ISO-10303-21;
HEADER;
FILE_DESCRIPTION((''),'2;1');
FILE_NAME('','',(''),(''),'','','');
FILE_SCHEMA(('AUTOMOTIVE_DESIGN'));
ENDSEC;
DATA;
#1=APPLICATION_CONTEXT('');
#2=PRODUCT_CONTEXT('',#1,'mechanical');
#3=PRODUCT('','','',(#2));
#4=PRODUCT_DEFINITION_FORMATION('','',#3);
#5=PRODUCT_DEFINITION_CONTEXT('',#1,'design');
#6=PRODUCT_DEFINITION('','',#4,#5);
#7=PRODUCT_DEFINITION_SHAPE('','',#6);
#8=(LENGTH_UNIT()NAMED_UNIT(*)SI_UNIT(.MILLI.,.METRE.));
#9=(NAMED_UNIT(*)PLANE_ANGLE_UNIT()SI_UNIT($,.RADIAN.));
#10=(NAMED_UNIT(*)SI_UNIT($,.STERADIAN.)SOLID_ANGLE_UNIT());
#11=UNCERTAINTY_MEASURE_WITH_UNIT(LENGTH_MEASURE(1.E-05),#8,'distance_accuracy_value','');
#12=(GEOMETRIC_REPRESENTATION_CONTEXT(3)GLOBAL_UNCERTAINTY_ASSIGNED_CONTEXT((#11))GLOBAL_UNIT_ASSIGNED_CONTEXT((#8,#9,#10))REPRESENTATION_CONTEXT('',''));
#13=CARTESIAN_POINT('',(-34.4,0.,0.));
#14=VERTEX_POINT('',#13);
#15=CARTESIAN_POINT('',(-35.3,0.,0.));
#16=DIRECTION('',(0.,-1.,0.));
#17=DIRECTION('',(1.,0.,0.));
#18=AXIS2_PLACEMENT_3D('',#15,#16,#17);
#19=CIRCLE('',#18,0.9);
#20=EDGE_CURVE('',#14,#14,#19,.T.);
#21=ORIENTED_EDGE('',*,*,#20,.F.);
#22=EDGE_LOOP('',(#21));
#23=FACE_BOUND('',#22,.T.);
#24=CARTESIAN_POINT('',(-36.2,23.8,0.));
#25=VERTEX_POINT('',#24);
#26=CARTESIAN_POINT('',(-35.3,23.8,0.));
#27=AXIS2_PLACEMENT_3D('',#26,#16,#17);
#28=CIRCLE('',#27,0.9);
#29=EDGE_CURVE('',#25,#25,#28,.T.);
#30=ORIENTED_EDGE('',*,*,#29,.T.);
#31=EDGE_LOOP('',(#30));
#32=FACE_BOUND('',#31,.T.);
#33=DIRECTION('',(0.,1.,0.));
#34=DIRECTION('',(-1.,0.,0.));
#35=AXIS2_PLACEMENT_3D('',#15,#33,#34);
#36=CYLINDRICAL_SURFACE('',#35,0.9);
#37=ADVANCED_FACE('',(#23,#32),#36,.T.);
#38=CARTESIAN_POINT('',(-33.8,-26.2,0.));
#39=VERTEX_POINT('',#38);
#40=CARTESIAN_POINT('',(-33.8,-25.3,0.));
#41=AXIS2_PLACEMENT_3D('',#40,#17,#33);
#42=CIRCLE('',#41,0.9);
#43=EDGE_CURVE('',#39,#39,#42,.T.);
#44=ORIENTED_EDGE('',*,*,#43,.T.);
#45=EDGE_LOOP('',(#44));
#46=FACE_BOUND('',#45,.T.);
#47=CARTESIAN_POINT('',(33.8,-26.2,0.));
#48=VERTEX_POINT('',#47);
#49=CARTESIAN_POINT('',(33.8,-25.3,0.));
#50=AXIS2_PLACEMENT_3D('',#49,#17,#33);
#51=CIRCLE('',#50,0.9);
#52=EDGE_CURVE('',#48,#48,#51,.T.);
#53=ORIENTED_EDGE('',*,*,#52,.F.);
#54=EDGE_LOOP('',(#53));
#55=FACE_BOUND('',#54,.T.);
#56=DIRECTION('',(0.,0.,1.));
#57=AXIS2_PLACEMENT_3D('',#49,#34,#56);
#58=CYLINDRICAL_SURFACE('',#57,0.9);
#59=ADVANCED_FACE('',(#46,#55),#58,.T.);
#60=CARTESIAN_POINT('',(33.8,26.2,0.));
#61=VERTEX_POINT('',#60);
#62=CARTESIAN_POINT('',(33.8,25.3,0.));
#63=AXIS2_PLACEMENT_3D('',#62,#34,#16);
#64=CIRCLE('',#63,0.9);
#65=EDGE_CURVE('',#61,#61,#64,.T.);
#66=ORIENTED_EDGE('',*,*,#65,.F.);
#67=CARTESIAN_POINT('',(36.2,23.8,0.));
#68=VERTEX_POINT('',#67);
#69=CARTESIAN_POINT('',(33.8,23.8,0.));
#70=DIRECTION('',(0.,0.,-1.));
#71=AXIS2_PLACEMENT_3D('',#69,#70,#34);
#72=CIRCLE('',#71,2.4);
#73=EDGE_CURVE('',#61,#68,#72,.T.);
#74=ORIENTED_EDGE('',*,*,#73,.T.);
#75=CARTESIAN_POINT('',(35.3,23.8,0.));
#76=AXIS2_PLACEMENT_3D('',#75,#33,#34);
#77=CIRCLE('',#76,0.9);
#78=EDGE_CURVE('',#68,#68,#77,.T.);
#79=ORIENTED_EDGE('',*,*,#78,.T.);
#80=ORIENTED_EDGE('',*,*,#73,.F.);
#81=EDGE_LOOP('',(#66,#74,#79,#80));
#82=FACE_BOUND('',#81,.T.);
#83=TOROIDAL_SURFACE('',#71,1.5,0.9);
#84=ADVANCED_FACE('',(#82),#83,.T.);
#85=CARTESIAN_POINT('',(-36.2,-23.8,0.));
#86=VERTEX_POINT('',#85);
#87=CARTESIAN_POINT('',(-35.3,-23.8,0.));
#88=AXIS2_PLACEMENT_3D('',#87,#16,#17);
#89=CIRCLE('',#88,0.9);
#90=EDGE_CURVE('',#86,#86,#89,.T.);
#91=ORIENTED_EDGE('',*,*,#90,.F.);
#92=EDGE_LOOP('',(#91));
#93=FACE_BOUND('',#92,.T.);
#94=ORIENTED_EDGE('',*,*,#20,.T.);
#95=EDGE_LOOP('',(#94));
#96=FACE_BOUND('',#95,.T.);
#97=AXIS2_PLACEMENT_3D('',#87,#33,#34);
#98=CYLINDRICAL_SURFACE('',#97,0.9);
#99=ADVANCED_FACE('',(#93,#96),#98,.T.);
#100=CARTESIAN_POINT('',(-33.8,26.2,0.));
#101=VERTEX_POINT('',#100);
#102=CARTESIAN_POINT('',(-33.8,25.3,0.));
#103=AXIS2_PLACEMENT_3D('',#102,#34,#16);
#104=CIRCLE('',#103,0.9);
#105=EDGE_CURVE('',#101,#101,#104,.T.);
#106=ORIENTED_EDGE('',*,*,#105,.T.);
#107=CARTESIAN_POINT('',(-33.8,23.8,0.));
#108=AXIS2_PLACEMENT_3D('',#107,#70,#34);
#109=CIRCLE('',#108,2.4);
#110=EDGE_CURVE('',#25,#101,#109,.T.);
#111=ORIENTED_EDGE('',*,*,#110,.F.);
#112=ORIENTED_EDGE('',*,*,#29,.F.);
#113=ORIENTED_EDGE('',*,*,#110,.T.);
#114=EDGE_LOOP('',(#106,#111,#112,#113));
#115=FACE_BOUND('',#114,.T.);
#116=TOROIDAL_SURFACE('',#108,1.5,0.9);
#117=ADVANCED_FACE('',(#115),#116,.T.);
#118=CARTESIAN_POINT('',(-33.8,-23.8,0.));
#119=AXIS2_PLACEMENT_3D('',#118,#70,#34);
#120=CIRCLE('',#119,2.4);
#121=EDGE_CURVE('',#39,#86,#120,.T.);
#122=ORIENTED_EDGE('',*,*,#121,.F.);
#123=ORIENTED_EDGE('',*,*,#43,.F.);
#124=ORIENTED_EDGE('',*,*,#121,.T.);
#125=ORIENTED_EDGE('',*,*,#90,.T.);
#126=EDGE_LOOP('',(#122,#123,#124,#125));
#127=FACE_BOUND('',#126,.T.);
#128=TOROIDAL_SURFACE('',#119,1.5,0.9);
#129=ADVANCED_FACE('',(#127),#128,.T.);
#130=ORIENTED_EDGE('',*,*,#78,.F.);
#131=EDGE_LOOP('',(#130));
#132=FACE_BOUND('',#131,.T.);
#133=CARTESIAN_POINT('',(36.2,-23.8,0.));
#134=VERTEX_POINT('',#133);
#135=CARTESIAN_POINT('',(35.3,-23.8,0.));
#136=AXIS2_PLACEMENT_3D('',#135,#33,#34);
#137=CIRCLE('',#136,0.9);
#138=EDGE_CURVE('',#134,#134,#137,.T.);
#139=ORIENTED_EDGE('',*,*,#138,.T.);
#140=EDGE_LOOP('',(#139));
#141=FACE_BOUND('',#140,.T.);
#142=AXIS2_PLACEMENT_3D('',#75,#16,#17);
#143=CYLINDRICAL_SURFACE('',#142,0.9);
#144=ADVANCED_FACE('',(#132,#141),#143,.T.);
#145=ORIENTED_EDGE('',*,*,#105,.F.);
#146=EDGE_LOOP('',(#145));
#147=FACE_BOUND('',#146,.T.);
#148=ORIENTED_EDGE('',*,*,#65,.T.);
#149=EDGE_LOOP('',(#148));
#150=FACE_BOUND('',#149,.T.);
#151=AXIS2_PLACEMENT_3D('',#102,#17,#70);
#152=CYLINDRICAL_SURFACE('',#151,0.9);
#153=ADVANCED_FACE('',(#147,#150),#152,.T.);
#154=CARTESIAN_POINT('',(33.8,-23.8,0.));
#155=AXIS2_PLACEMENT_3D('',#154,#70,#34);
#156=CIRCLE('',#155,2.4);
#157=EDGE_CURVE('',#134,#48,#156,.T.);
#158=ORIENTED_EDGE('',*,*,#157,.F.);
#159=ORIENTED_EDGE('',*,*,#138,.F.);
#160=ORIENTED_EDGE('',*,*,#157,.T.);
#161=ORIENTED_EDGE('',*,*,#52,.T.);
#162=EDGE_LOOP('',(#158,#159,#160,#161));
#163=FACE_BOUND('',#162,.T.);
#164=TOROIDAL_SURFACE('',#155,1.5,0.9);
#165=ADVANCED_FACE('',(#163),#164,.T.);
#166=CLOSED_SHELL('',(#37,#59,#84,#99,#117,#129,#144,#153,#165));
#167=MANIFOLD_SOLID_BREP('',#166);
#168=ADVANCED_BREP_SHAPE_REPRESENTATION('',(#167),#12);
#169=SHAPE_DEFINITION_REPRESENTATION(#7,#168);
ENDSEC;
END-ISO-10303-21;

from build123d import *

# Parameters (mm, degrees)
SKETCH_2_R = 0.9


with BuildPart() as part:
    # По траектории1: sweep along a path in Эскиз1
    with BuildLine(Plane.XY) as sweep_1_path:
        Line((-33.8, 25.3), (33.8, 25.3))
        ThreePointArc((33.8, 25.3), (34.860660172, 24.860660172), (35.3, 23.8))
        Line((35.3, 23.8), (35.3, -23.8))
        ThreePointArc((35.3, -23.8), (34.860660172, -24.860660172), (33.8, -25.3))
        Line((33.8, -25.3), (-33.8, -25.3))
        ThreePointArc((-33.8, -25.3), (-34.860660172, -24.860660172), (-35.3, -23.8))
        Line((-35.3, -23.8), (-35.3, 23.8))
        ThreePointArc((-35.3, 23.8), (-34.860660172, 24.860660172), (-33.8, 25.3))
    # Эскиз2 → По траектории1 (sweep)
    with BuildSketch(Plane(origin=(0, 0, 0), x_dir=(-1, 0, 0), z_dir=(0, -1, 0))):
        with Locations((35.3, 0)):
            Circle(SKETCH_2_R)
    sweep(path=sweep_1_path.line)


solid = part.part
